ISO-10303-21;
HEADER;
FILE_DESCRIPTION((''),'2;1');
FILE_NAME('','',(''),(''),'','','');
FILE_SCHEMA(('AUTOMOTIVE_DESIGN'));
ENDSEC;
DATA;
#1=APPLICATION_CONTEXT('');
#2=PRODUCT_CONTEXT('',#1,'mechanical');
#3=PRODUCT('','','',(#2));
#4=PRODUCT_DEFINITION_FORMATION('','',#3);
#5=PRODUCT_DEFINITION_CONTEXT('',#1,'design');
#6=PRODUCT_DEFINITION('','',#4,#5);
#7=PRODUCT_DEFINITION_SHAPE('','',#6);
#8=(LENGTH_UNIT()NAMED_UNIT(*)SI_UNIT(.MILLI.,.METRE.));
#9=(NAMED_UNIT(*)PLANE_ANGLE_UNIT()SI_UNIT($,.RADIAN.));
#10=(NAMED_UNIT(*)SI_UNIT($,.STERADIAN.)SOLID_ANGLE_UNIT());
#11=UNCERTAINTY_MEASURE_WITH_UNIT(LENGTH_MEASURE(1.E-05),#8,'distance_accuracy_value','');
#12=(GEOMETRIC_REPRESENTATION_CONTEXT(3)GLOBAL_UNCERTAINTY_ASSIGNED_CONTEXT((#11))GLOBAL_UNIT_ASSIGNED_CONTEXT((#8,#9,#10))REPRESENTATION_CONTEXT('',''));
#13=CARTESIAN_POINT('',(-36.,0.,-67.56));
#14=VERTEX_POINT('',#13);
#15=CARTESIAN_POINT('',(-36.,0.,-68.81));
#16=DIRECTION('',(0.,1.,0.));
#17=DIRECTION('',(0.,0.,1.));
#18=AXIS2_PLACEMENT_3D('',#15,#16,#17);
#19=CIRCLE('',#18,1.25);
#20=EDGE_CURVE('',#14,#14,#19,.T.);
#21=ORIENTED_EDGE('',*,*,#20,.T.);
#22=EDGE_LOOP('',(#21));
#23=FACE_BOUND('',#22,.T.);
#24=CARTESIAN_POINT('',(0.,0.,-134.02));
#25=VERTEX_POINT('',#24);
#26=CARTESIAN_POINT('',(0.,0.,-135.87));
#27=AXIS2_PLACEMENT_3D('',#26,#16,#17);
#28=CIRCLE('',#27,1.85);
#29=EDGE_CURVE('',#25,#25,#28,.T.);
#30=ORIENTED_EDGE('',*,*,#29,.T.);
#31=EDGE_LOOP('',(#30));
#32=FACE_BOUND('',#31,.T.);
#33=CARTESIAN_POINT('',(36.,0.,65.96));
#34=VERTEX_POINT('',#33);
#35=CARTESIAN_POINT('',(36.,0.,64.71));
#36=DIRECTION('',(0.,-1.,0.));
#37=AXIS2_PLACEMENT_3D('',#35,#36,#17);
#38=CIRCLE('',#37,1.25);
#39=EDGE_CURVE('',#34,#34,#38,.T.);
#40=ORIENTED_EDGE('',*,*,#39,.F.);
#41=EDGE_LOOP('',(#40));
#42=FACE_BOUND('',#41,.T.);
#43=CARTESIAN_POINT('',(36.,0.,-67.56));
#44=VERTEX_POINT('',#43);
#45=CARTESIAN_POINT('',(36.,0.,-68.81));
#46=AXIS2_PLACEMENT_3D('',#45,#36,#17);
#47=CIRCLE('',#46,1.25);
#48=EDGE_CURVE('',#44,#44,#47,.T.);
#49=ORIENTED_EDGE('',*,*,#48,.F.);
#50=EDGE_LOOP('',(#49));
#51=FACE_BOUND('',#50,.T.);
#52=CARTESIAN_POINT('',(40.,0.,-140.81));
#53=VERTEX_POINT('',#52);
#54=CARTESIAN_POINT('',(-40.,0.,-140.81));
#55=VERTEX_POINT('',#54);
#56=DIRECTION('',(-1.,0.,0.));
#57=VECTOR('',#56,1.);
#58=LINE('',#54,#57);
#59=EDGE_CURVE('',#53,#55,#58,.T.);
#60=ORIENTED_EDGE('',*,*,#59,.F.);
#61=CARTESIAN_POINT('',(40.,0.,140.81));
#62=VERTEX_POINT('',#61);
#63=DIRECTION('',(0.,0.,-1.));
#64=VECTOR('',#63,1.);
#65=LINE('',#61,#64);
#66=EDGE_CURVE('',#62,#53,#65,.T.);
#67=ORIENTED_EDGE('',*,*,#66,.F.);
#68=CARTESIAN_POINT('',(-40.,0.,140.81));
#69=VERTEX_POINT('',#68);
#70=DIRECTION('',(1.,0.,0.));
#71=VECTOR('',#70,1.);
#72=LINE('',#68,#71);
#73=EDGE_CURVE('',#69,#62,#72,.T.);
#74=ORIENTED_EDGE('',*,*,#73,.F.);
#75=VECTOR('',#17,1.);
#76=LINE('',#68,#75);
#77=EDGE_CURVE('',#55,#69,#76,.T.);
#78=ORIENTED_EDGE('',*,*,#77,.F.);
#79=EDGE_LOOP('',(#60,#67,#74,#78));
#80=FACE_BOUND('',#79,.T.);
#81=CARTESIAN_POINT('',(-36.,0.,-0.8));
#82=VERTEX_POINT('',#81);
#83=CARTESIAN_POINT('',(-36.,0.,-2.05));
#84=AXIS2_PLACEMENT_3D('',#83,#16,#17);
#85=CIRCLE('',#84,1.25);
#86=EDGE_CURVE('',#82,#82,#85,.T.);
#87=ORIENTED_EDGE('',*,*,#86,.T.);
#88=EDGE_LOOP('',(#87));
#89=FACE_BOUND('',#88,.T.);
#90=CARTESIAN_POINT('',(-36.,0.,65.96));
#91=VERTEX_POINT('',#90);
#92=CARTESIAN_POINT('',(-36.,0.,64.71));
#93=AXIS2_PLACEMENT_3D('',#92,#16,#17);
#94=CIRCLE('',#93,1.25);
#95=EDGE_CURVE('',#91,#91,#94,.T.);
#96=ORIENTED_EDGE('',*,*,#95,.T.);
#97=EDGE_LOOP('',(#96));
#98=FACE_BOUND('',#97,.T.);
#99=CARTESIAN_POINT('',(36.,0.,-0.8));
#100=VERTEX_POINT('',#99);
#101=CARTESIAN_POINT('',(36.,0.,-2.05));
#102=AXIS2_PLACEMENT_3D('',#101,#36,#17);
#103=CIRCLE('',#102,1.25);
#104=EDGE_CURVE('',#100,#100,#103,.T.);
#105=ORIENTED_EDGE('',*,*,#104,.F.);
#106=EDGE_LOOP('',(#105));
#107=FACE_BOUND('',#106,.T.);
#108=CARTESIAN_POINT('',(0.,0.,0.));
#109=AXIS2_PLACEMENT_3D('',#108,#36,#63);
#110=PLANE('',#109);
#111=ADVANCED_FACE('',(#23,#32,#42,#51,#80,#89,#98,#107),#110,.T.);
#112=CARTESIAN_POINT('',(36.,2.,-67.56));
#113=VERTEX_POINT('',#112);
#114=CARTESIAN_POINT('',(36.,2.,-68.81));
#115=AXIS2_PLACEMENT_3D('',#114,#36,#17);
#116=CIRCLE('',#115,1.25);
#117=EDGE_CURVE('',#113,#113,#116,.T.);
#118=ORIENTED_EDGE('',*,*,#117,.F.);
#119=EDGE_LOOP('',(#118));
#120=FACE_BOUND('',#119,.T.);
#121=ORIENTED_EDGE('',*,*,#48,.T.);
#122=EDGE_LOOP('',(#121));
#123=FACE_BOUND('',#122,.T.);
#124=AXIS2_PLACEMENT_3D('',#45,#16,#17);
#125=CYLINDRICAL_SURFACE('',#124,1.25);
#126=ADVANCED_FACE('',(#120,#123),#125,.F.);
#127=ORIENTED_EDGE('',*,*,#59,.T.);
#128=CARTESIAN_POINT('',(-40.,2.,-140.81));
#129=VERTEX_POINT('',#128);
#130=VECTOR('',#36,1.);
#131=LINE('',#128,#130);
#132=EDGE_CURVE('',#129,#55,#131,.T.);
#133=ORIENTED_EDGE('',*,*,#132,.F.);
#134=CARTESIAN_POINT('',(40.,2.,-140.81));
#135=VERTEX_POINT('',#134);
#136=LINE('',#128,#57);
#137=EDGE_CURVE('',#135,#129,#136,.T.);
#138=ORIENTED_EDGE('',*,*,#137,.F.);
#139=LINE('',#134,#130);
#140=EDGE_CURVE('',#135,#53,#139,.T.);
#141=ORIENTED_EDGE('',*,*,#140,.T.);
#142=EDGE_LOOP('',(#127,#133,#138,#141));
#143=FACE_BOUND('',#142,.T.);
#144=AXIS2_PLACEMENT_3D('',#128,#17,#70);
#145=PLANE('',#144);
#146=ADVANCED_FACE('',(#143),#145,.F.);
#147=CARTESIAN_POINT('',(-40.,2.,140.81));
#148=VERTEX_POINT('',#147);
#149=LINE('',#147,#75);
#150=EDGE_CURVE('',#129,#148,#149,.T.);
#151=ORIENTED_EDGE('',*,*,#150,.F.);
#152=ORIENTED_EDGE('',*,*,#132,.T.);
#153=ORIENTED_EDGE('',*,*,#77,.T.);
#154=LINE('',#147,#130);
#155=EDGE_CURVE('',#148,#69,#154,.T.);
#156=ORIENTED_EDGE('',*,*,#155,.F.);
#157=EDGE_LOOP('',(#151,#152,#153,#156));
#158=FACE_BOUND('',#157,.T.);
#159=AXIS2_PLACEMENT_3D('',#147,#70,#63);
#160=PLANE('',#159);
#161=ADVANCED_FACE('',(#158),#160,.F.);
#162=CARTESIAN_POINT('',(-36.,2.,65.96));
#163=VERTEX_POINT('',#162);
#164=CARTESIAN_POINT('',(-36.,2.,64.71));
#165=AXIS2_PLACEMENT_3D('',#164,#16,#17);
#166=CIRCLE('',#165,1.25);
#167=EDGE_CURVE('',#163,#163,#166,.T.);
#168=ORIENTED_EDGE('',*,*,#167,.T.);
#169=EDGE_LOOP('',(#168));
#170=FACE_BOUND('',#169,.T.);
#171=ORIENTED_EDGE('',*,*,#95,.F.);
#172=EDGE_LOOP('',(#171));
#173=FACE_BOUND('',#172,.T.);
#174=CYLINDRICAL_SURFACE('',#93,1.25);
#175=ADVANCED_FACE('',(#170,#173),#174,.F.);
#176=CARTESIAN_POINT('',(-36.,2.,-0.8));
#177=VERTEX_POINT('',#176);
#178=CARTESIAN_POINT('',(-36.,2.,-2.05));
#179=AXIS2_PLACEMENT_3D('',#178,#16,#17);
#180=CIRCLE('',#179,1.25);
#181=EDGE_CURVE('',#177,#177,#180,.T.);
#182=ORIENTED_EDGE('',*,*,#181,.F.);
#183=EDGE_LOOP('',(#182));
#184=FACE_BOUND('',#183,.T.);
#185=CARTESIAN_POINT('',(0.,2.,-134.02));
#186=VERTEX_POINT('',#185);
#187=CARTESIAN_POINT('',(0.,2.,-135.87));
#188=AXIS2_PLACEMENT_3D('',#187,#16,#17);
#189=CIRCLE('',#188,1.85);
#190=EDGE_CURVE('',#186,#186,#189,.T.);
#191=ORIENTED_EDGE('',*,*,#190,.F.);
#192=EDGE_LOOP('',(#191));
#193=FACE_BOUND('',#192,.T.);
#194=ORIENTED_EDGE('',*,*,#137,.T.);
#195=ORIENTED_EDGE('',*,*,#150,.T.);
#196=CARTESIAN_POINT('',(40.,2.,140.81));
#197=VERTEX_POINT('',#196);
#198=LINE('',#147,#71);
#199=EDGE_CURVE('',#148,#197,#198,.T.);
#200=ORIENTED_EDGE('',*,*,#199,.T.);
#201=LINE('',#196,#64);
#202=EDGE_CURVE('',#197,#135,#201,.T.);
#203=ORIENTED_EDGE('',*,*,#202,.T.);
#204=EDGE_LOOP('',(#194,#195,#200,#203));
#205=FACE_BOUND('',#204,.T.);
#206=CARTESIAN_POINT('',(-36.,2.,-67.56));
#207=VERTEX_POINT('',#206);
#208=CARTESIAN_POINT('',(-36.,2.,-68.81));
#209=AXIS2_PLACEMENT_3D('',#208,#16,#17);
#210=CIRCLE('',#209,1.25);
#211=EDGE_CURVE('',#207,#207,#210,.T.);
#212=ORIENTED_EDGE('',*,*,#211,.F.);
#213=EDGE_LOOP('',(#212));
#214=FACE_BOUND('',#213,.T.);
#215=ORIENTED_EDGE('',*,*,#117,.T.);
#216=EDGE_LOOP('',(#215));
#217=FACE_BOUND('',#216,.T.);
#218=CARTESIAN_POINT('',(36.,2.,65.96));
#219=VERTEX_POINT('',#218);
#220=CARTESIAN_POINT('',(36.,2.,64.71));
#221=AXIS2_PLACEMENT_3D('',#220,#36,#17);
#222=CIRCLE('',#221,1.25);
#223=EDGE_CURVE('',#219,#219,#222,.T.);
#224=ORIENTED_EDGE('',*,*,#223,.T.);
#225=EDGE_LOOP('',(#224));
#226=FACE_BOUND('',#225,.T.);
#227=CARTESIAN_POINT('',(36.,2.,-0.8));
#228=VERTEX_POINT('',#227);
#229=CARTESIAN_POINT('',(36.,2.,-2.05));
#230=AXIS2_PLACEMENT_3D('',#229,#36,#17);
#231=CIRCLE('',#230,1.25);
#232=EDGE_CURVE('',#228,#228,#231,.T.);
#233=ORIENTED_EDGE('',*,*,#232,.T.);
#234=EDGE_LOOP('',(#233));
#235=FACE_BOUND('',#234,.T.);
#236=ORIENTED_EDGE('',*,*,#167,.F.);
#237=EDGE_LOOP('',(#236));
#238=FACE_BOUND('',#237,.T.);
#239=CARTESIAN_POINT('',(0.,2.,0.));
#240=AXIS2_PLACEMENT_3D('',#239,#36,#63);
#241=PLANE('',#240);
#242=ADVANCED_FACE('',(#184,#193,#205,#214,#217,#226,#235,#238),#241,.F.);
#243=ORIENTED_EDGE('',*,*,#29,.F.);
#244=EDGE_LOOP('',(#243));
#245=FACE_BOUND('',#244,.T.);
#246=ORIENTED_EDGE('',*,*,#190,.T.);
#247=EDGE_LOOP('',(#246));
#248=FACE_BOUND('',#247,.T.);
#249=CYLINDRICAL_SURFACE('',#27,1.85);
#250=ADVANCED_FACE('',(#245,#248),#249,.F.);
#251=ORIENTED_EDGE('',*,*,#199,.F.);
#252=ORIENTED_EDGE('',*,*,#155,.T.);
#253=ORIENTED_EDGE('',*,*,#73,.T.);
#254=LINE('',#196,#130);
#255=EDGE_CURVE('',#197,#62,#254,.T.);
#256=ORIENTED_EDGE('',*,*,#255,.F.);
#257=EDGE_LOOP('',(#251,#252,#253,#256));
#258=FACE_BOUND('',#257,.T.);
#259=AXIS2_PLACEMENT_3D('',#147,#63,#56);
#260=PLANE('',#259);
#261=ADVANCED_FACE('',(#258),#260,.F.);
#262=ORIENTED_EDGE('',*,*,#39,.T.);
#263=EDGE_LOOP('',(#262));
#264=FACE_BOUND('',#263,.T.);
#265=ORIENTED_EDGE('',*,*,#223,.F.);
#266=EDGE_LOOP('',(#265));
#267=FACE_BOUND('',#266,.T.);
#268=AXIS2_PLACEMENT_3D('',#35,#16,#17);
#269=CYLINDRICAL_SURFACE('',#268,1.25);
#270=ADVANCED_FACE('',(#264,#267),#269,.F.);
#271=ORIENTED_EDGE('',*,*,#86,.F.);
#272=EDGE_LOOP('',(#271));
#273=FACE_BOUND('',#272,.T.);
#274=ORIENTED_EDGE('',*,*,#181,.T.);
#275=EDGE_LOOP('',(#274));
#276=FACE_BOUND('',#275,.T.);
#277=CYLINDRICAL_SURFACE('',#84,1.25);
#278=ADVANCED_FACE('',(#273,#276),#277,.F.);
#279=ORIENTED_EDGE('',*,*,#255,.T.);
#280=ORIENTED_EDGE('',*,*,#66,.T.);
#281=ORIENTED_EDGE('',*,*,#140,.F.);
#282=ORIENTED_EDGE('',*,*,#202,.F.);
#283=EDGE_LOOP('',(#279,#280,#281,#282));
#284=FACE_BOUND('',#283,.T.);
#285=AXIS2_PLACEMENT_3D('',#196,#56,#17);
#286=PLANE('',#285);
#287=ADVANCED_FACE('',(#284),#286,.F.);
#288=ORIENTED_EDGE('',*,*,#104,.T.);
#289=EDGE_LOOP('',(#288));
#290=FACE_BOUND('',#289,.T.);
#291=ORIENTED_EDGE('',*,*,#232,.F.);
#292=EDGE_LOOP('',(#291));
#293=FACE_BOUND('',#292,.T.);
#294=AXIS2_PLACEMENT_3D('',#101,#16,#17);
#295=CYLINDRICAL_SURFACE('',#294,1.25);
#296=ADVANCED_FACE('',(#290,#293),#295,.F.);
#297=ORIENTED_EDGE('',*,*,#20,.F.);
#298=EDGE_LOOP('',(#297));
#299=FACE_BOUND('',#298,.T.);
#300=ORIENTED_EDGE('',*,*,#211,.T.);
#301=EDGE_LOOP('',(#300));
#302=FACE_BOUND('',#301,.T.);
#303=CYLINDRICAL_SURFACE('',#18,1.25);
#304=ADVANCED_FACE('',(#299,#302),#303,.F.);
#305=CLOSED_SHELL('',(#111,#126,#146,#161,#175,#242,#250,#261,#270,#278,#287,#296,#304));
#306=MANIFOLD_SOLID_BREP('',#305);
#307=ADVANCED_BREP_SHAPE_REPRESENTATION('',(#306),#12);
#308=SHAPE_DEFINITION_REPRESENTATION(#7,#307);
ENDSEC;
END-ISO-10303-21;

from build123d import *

# Parameters (mm, degrees)
SKETCH1_W               = 80
SKETCH1_H               = 281.62
BOSS_EXTRUDE1_DEPTH     = 2
SKETCH2_R               = 1.85
CUT_EXTRUDE1_DEPTH      = 2
SKETCH3_R               = 1.25
CUT_EXTRUDE2_DEPTH      = 2
LPATTERN1_COUNT         = 3
LPATTERN1_PITCH         = 66.76
MIRROR1_COPY_1_SKETCH_R = 1.25
MIRROR1_COPY_1_DEPTH    = 2
MIRROR1_COPY_2_SKETCH_R = 1.25
MIRROR1_COPY_2_DEPTH    = 2


with BuildPart() as part:
    # Sketch1 → Boss-Extrude1 (new body)
    with BuildSketch(Plane(origin=(0, 0, 0), x_dir=(1, 0, 0), z_dir=(0, 1, 0))):
        Rectangle(SKETCH1_W, SKETCH1_H)
    extrude(amount=BOSS_EXTRUDE1_DEPTH)

    # Sketch2 → Cut-Extrude1 (cut)
    with BuildSketch(Plane(origin=(0, 2, 0), x_dir=(1, 0, 0), z_dir=(0, 1, 0))):
        with Locations(Location((0, 135.87, 0), (0, 0, 270))):
            Circle(SKETCH2_R)
    extrude(amount=-CUT_EXTRUDE1_DEPTH, mode=Mode.SUBTRACT)

    # Sketch3 → Cut-Extrude2 (cut)
    with BuildSketch(Plane(origin=(0, 2, 0), x_dir=(1, 0, 0), z_dir=(0, 1, 0))):
        with Locations(Location((-36, 68.81, 0), (0, 0, 270))):
            Circle(SKETCH3_R)
    cut_extrude2 = extrude(amount=-CUT_EXTRUDE2_DEPTH, mode=Mode.SUBTRACT)

    # LPattern1: Cut-Extrude2 ×3
    with Locations(*[(0, 0, i * LPATTERN1_PITCH) for i in range(1, LPATTERN1_COUNT)]):
        add(cut_extrude2, mode=Mode.SUBTRACT)

    # Mirror1: Cut-Extrude2 across plane
    add(cut_extrude2.mirror(Plane(origin=(0, 0, 0), x_dir=(0, 0, 1), z_dir=(1, 0, 0))), mode=Mode.SUBTRACT)

    # Mirror1 copy 1 sketch → Mirror1 copy 1 (cut)
    with BuildSketch(Plane(origin=(0, 2, 66.76), x_dir=(-1, 0, 0), z_dir=(0, 1, 0))):
        with Locations((-36, -68.81)):
            Circle(MIRROR1_COPY_1_SKETCH_R)
    extrude(amount=-MIRROR1_COPY_1_DEPTH, mode=Mode.SUBTRACT)

    # Mirror1 copy 2 sketch → Mirror1 copy 2 (cut)
    with BuildSketch(Plane(origin=(0, 2, 133.52), x_dir=(-1, 0, 0), z_dir=(0, 1, 0))):
        with Locations((-36, -68.81)):
            Circle(MIRROR1_COPY_2_SKETCH_R)
    extrude(amount=-MIRROR1_COPY_2_DEPTH, mode=Mode.SUBTRACT)


solid = part.part
